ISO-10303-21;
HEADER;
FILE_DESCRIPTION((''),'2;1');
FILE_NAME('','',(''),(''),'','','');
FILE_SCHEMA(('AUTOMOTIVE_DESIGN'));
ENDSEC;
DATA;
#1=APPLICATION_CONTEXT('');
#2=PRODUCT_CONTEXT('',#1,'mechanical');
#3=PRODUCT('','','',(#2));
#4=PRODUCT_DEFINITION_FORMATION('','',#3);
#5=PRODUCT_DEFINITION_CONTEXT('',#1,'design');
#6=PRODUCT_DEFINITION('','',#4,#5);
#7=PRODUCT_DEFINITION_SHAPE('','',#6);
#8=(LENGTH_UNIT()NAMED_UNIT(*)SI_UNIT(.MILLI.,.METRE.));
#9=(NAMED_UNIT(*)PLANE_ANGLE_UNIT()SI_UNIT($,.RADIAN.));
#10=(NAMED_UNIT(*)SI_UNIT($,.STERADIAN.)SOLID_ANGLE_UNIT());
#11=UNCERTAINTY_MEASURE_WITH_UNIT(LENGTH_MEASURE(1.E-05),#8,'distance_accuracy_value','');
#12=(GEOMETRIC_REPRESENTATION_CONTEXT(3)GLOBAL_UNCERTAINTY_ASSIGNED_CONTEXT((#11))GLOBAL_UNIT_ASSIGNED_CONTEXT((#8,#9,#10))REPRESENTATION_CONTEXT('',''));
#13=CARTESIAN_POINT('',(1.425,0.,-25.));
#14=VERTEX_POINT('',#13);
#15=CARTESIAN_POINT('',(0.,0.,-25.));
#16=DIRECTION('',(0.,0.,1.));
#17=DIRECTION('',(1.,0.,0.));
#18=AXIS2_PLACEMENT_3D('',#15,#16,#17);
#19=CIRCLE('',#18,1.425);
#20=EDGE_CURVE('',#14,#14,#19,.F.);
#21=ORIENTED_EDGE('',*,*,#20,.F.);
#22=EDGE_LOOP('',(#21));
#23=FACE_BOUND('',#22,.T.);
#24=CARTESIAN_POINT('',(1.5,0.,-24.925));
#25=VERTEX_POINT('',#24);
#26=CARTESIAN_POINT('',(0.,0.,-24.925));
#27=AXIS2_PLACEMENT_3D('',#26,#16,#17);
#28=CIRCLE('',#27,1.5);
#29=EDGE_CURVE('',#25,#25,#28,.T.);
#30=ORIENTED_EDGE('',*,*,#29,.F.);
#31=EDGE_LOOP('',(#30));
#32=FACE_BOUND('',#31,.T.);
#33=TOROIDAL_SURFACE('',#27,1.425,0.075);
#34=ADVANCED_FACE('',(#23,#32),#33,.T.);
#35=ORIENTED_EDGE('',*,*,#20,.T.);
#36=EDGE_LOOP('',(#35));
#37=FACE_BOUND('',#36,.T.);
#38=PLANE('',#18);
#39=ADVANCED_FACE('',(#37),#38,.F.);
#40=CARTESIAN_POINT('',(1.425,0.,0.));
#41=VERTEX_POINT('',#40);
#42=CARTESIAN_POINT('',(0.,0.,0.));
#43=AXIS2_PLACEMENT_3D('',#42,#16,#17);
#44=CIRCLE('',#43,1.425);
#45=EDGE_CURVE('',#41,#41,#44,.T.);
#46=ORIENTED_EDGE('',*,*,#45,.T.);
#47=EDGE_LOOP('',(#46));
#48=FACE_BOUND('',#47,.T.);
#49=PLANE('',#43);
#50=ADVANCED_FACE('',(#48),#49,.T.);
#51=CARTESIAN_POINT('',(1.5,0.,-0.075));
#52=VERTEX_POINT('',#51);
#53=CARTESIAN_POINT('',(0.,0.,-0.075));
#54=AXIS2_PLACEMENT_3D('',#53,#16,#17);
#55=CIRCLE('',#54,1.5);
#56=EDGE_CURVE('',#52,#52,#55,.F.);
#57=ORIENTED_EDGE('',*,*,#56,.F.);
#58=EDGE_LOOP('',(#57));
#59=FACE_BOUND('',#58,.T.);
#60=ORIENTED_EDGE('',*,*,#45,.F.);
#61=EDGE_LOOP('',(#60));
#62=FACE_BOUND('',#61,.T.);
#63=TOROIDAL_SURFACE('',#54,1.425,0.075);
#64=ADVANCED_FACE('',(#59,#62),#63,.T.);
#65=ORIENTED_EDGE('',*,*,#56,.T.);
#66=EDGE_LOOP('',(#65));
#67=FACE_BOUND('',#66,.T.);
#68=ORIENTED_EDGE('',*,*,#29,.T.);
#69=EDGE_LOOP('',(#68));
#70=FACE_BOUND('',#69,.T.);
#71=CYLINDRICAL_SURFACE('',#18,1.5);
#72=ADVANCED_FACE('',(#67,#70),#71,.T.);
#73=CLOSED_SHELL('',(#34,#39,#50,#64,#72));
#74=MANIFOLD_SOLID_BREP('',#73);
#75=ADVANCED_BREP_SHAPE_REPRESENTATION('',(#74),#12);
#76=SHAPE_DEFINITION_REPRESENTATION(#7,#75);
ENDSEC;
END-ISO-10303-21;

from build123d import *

# Parameters (mm, degrees)
SKETCH1_R           = 1.5
BOSS_EXTRUDE1_DEPTH = 25
FILLET1_R           = 0.075


with BuildPart() as part:
    # Sketch1 → Boss-Extrude1 (new body)
    with BuildSketch(Plane.XY):
        Circle(SKETCH1_R)
    extrude(amount=-BOSS_EXTRUDE1_DEPTH)

    # Fillet1
    fillet1_edges = [part.edges().sort_by_distance(p)[0] for p in [
        (-1.5, 0, 0),
        (-1.5, 0, -25),
    ]]
    fillet(fillet1_edges, radius=FILLET1_R)


solid = part.part
